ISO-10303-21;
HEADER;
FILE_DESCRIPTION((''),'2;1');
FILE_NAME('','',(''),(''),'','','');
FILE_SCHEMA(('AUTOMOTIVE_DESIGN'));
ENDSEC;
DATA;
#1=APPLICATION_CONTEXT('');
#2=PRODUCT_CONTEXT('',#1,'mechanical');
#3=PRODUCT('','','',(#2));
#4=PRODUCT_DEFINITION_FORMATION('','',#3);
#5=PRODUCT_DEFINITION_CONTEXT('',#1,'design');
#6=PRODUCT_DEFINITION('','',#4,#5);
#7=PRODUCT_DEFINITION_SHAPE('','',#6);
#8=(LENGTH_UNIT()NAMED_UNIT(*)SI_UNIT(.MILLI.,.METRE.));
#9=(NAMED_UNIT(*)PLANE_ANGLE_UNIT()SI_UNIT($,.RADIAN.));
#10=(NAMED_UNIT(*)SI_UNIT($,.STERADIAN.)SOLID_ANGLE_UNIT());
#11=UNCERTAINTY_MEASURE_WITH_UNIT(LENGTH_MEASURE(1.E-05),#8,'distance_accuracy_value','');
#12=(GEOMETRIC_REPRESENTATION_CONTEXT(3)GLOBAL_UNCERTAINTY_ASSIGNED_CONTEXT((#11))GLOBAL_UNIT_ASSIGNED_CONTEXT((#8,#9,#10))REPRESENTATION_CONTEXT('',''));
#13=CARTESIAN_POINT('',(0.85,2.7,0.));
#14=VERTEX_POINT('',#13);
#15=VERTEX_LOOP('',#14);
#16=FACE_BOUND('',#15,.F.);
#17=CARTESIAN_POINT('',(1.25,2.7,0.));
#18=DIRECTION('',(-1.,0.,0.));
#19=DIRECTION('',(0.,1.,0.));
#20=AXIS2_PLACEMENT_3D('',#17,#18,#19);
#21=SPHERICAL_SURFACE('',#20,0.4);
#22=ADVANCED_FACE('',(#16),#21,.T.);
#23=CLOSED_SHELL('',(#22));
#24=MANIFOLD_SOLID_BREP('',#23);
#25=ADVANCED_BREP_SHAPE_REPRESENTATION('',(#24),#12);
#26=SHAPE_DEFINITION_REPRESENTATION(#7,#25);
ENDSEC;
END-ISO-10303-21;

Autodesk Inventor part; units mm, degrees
ref_plane "YZ Plane" through (0, 0, 0) normal (1, 0, 0) x (0, 1, 0)
ref_plane "XZ Plane" through (0, 0, 0) normal (0, 1, 0) x (-1, 0, 0)
ref_plane "XY Plane" through (0, 0, 0) normal (0, 0, 1) x (1, 0, 0)
sketch "Sketch_6" plane through (0, 0, 0) normal (0, 0, 1) x (1, 0, 0)
  line L0 (1.65, 2.7) -> (0.85, 2.7)
  arc A0 (1.65, 2.7) -> (0.85, 2.7) centre (1.25, 2.7) ccw
  line L1 (1.65, 2.7) -> (0.85, 2.7)
  dimension "d0" = 360
revolve "Revolution1" add sketch "Sketch_6" angle 360 about axis through (1.65, 2.7, 0) along (1, 0, 0)
properties part number "W 627/4-2ZS_PART3"
